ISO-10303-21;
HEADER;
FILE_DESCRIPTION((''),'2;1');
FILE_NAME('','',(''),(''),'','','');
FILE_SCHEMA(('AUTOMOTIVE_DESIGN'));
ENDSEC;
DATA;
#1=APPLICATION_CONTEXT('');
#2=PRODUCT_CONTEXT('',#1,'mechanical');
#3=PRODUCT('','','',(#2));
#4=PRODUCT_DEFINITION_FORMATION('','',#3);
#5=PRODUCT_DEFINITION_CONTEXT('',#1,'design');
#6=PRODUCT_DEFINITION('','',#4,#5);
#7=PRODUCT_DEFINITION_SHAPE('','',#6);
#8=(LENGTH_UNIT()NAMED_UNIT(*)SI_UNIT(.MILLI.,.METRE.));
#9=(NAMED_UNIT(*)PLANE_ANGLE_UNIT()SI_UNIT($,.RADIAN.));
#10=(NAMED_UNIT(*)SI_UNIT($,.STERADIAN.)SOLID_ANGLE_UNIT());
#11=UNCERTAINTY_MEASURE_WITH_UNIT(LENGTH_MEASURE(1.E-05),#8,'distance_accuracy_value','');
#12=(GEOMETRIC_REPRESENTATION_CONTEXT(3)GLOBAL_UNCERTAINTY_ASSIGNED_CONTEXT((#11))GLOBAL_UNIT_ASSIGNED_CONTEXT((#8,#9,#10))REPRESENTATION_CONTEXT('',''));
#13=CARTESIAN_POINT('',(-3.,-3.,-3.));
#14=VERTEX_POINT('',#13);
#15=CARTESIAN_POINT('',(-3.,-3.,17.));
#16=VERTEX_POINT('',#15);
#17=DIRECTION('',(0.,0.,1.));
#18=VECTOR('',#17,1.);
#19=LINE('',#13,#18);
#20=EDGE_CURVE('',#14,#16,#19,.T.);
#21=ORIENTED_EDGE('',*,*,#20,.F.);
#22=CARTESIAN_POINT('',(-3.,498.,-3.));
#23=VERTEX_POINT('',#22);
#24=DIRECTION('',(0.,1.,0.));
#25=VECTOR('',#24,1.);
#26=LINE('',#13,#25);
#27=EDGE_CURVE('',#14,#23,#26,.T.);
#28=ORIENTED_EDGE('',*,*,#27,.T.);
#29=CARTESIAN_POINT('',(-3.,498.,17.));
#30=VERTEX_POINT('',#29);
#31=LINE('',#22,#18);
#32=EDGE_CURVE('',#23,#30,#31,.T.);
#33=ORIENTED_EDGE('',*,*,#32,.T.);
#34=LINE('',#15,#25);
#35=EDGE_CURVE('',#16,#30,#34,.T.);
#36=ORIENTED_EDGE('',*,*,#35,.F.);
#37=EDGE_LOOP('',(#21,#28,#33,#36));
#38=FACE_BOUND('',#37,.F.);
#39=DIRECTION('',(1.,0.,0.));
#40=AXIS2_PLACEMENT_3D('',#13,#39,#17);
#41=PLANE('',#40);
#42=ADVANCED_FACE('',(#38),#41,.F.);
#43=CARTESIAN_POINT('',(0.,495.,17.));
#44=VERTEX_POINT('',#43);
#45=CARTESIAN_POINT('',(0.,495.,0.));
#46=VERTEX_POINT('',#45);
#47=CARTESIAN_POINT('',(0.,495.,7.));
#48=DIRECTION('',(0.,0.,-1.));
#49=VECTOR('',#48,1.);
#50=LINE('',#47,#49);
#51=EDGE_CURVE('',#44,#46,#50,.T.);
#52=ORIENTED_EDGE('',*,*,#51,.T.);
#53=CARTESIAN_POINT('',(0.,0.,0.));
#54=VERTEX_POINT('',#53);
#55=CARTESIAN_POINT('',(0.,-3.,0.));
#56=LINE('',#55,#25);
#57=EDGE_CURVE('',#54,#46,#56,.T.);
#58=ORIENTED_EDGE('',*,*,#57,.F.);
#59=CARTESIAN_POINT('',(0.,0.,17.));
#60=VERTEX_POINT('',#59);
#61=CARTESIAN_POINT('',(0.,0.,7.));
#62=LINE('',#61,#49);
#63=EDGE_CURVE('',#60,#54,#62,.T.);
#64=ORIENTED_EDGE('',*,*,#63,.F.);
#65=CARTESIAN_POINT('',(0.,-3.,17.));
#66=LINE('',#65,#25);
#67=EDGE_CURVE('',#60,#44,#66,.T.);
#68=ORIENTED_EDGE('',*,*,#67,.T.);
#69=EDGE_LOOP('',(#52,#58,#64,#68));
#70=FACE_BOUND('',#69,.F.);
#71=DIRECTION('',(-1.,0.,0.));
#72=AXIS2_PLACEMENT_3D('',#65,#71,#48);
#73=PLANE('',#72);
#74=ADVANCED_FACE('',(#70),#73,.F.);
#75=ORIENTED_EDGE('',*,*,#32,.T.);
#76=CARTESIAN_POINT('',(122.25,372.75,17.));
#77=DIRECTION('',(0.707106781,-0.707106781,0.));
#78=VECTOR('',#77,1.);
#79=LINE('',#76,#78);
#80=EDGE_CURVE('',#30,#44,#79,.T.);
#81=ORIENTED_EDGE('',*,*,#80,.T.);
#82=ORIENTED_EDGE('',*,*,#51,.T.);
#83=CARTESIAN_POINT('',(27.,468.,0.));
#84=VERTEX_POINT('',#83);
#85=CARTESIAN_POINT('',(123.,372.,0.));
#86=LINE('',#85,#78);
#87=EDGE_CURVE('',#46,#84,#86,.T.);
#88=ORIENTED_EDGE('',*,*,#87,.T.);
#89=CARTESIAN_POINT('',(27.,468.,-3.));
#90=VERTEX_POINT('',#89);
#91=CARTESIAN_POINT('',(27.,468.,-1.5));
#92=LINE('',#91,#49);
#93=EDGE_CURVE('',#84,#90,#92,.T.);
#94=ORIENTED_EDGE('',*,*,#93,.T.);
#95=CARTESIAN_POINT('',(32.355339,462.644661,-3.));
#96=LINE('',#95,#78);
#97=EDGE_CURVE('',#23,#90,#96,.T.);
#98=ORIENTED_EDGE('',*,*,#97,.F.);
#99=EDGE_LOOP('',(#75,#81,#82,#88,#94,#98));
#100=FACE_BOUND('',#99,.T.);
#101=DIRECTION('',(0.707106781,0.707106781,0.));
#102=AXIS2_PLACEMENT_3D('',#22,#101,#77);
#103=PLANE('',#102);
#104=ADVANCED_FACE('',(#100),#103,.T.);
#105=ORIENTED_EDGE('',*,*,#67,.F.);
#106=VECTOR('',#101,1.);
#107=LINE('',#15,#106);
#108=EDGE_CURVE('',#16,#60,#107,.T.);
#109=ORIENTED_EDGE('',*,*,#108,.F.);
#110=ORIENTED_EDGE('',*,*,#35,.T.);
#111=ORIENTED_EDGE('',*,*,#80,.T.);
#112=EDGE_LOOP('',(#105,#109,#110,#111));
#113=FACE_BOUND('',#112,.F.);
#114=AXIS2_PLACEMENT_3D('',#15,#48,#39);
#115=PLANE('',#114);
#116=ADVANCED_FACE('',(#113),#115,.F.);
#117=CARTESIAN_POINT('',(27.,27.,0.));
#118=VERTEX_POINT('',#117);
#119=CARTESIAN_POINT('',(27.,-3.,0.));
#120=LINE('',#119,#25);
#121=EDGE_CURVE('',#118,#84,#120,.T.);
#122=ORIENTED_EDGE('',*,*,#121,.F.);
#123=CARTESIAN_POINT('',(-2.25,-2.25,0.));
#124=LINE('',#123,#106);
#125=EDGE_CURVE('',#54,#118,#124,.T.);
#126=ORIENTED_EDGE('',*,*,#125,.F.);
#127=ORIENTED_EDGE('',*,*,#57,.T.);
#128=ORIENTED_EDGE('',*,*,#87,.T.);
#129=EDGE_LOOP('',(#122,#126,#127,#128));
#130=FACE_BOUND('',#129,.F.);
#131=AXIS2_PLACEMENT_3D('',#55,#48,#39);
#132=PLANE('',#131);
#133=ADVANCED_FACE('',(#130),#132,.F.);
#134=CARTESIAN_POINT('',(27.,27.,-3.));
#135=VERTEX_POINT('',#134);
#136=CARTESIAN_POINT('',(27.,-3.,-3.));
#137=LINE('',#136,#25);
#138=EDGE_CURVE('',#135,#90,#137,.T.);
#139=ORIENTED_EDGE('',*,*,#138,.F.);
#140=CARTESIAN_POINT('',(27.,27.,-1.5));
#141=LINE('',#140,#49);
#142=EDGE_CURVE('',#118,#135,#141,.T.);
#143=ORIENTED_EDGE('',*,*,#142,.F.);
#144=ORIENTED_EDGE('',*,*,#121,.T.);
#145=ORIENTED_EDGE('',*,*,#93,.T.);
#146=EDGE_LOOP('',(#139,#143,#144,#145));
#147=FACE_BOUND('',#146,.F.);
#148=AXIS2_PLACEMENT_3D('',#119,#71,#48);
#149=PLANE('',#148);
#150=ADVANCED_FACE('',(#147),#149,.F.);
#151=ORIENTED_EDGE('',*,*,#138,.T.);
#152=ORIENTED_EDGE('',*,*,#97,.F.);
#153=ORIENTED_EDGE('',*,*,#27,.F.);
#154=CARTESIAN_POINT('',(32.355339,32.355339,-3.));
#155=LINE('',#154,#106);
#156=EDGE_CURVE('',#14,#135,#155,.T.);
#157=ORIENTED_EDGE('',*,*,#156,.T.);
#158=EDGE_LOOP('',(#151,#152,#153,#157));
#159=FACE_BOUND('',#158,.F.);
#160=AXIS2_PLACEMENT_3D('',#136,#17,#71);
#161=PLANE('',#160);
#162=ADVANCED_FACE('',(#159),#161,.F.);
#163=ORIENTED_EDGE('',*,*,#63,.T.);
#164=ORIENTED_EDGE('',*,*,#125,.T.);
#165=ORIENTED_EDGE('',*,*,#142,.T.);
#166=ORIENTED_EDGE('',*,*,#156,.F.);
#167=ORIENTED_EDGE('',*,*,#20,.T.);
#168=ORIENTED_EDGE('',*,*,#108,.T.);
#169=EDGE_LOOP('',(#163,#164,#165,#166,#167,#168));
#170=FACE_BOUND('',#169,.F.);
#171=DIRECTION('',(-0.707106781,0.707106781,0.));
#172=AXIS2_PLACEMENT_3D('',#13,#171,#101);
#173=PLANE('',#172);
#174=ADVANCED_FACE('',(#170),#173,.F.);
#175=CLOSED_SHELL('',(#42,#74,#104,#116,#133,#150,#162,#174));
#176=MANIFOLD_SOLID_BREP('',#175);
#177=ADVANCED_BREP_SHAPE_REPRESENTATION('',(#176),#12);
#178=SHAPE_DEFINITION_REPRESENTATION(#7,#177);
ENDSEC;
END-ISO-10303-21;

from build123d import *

# Parameters (mm, degrees)
BOX023_W               = 100
BOX023_H               = 100
BOX023_DEPTH           = 30
BOX023_PLACEMENT_ANGLE = -45
BOX022_W               = 30
BOX022_H               = 100
BOX022_DEPTH           = 30
BOX022_PLACEMENT_ANGLE = -45
PAD001_DEPTH           = 501


with BuildPart() as cube008:
    # Box023 → Box023 (new body)
    with BuildSketch(Plane.XY):
        with Locations((50, 50)):
            Rectangle(BOX023_W, BOX023_H)
    extrude(amount=BOX023_DEPTH)


with BuildPart() as cube008_1:
    # Box023 placement: moved
    add(cube008.part.moved(Location((-3, 498, -3))).rotate(Axis((-3, 498, -3), (0, 0, 1)), BOX023_PLACEMENT_ANGLE))


with BuildPart() as cube007:
    # Box022 → Box022 (new body)
    with BuildSketch(Plane.XY):
        with Locations((15, 50)):
            Rectangle(BOX022_W, BOX022_H)
    extrude(amount=BOX022_DEPTH)


with BuildPart() as cube007_1:
    # Box022 placement: moved
    add(cube007.part.moved(Location((-3, -3, -3))).rotate(Axis((-3, -3, -3), (0, 0, 1)), BOX022_PLACEMENT_ANGLE))


with BuildPart() as rahmen3:
    # Sketch001 → Pad001 (new body)
    with BuildSketch(Plane.XZ.offset(3)):
        Polygon((0, 17), (0, 0), (27, 0), (27, -3), (-3, -3), (-3, 17), align=None)
    extrude(amount=-PAD001_DEPTH)

    # Cut003: cut Cube007
    add(cube007_1.part, mode=Mode.SUBTRACT)

    # Cut004: cut Cube008
    add(cube008_1.part, mode=Mode.SUBTRACT)


solid = rahmen3.part
